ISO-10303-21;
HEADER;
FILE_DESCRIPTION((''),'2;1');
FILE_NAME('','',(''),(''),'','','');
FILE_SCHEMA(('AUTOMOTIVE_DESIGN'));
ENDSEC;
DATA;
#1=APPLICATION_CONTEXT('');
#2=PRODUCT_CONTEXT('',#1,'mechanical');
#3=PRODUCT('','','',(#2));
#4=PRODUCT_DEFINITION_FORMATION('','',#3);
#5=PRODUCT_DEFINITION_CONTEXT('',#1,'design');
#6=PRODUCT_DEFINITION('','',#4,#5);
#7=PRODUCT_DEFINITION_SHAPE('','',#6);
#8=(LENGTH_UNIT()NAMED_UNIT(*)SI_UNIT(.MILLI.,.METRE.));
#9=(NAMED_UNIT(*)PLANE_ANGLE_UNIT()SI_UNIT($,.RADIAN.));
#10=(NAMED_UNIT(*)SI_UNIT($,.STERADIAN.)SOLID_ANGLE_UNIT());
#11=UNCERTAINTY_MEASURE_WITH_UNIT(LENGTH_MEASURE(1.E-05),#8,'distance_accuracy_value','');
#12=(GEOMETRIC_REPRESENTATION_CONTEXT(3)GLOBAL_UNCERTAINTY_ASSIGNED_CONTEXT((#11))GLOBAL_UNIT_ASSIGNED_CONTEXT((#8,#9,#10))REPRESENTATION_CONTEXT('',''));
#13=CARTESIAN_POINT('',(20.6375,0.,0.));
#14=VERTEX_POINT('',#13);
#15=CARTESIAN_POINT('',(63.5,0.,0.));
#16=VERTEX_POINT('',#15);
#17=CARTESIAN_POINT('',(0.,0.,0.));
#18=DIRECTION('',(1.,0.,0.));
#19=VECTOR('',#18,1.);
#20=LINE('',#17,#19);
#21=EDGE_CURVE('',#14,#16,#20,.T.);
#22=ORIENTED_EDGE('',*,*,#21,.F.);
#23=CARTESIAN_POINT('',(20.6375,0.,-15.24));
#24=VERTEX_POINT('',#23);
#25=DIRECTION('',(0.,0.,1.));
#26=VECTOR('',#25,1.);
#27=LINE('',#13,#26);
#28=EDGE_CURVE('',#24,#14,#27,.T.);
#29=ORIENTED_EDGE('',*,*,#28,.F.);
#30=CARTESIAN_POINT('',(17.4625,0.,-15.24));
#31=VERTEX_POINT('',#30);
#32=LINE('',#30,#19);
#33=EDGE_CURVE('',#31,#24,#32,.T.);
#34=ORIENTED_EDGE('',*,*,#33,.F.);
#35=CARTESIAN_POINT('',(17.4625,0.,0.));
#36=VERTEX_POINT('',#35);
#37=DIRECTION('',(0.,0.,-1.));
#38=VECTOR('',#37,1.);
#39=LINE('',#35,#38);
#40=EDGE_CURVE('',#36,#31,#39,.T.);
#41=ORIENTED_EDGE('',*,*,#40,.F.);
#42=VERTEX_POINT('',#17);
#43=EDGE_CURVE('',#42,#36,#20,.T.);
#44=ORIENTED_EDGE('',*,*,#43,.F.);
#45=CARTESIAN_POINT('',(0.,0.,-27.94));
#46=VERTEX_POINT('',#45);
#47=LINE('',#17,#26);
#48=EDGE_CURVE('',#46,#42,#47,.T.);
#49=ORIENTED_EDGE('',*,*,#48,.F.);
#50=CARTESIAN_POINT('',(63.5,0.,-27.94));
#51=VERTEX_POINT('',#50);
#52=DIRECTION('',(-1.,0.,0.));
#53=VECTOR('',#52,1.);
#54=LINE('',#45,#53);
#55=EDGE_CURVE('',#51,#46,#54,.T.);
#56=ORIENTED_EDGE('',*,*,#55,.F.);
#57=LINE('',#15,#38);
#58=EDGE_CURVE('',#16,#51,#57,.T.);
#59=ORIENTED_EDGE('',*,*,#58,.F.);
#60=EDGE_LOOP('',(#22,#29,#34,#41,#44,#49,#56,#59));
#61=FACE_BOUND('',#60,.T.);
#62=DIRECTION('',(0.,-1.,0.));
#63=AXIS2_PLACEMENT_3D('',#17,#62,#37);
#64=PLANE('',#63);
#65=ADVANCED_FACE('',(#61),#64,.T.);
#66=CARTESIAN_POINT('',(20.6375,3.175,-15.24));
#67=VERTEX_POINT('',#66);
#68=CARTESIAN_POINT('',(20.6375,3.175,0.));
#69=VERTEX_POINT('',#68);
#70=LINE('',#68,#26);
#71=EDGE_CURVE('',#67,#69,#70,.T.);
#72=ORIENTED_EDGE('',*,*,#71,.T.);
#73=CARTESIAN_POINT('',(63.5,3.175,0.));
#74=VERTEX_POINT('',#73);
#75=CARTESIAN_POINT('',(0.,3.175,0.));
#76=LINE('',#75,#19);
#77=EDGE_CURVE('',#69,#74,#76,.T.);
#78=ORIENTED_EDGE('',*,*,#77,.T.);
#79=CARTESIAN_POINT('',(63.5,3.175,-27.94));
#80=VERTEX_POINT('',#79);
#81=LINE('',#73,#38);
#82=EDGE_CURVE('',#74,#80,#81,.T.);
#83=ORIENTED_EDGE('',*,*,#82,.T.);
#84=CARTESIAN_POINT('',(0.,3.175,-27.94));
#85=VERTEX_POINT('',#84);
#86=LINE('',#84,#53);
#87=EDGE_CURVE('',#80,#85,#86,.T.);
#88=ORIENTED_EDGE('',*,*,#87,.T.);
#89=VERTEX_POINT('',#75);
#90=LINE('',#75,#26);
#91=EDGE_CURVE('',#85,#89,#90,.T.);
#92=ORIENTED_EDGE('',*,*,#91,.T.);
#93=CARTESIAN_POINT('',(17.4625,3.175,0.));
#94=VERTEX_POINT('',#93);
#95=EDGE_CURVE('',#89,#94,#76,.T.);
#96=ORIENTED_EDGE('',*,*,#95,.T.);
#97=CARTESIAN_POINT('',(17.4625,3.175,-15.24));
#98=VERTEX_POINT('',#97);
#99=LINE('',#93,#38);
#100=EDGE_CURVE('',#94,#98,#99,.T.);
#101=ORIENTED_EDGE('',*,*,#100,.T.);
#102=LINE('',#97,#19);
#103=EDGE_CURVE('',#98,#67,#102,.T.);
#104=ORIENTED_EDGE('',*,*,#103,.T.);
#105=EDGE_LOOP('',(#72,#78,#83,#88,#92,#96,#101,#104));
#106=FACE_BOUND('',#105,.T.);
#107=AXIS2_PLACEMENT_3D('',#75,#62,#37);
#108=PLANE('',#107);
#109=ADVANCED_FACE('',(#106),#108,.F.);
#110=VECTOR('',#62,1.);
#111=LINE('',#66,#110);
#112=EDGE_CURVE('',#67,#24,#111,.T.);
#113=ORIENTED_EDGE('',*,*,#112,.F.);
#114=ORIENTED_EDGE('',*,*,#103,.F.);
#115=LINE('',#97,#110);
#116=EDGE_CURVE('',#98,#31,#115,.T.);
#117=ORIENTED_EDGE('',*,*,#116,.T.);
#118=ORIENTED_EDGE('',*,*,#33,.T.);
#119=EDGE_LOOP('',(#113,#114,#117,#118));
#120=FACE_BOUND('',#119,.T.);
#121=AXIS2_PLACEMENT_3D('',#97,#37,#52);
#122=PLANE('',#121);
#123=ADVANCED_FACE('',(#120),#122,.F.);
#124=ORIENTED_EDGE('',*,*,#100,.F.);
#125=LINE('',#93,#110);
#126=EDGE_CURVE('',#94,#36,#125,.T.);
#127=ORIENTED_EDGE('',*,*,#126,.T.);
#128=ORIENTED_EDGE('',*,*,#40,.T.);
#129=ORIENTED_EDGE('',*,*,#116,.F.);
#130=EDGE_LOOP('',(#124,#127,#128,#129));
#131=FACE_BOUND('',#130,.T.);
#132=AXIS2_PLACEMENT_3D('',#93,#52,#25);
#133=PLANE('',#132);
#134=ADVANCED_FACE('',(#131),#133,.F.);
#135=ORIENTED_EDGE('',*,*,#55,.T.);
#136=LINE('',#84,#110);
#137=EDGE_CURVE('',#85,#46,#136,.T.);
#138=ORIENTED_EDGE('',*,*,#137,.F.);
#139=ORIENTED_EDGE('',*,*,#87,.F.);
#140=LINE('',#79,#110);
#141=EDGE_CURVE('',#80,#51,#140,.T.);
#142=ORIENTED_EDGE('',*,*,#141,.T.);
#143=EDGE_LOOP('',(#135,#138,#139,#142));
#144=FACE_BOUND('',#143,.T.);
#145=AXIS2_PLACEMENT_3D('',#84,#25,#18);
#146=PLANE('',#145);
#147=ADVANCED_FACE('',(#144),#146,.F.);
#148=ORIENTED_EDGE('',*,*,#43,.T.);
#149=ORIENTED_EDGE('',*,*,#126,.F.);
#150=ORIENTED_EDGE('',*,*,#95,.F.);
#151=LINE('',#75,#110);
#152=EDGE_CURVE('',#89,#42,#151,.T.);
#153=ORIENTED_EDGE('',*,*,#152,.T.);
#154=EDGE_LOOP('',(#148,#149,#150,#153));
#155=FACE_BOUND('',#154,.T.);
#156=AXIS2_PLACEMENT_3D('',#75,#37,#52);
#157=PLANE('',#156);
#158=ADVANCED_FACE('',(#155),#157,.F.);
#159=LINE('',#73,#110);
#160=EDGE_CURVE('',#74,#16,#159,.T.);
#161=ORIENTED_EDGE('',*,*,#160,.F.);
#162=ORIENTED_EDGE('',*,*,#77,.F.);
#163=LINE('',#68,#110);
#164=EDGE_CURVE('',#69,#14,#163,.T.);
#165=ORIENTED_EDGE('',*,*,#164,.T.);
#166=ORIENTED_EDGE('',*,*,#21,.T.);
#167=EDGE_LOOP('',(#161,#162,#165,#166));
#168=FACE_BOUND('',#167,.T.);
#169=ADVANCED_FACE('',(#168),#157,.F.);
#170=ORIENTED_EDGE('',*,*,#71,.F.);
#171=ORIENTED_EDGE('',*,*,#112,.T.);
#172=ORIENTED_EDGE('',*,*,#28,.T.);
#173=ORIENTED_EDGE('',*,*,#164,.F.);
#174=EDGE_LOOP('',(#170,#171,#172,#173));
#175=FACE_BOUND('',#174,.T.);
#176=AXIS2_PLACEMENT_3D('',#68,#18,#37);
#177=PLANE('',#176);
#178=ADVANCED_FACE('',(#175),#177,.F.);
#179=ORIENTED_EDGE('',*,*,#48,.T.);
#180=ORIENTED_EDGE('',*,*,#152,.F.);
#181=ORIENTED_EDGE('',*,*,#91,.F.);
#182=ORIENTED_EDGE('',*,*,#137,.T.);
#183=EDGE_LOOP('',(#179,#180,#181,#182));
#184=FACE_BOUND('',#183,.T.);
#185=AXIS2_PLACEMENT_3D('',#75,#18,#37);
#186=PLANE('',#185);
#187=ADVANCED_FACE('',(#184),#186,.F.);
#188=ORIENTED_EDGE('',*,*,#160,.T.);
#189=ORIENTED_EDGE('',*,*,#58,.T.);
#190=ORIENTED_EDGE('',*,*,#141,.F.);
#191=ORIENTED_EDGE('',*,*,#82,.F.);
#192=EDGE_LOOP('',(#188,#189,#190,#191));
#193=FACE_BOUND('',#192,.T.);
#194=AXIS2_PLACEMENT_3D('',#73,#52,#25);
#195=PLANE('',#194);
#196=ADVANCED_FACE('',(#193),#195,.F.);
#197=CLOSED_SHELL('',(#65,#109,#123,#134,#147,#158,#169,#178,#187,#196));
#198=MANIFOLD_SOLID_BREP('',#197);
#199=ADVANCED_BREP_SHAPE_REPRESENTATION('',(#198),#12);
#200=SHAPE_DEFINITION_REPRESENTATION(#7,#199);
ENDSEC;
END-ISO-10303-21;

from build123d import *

# Parameters (mm, degrees)
SKETCH2_W           = 63.5
SKETCH2_H           = 27.94
BOSS_EXTRUDE1_DEPTH = 3.175
SKETCH3_W           = 3.175
SKETCH3_H           = 15.24
CUT_EXTRUDE1_DEPTH  = 70.447636569


with BuildPart() as part:
    # Sketch2 → Boss-Extrude1 (new body)
    with BuildSketch(Plane(origin=(0, 0, 0), x_dir=(1, 0, 0), z_dir=(0, 1, 0))):
        with Locations((31.75, 13.97)):
            Rectangle(SKETCH2_W, SKETCH2_H)
    extrude(amount=BOSS_EXTRUDE1_DEPTH)

    # Sketch3 → Cut-Extrude1 (cut, through all)
    with BuildSketch(Plane.XZ):
        with Locations((19.05, -7.62)):
            Rectangle(SKETCH3_W, SKETCH3_H)
    extrude(amount=-CUT_EXTRUDE1_DEPTH, mode=Mode.SUBTRACT)


solid = part.part
